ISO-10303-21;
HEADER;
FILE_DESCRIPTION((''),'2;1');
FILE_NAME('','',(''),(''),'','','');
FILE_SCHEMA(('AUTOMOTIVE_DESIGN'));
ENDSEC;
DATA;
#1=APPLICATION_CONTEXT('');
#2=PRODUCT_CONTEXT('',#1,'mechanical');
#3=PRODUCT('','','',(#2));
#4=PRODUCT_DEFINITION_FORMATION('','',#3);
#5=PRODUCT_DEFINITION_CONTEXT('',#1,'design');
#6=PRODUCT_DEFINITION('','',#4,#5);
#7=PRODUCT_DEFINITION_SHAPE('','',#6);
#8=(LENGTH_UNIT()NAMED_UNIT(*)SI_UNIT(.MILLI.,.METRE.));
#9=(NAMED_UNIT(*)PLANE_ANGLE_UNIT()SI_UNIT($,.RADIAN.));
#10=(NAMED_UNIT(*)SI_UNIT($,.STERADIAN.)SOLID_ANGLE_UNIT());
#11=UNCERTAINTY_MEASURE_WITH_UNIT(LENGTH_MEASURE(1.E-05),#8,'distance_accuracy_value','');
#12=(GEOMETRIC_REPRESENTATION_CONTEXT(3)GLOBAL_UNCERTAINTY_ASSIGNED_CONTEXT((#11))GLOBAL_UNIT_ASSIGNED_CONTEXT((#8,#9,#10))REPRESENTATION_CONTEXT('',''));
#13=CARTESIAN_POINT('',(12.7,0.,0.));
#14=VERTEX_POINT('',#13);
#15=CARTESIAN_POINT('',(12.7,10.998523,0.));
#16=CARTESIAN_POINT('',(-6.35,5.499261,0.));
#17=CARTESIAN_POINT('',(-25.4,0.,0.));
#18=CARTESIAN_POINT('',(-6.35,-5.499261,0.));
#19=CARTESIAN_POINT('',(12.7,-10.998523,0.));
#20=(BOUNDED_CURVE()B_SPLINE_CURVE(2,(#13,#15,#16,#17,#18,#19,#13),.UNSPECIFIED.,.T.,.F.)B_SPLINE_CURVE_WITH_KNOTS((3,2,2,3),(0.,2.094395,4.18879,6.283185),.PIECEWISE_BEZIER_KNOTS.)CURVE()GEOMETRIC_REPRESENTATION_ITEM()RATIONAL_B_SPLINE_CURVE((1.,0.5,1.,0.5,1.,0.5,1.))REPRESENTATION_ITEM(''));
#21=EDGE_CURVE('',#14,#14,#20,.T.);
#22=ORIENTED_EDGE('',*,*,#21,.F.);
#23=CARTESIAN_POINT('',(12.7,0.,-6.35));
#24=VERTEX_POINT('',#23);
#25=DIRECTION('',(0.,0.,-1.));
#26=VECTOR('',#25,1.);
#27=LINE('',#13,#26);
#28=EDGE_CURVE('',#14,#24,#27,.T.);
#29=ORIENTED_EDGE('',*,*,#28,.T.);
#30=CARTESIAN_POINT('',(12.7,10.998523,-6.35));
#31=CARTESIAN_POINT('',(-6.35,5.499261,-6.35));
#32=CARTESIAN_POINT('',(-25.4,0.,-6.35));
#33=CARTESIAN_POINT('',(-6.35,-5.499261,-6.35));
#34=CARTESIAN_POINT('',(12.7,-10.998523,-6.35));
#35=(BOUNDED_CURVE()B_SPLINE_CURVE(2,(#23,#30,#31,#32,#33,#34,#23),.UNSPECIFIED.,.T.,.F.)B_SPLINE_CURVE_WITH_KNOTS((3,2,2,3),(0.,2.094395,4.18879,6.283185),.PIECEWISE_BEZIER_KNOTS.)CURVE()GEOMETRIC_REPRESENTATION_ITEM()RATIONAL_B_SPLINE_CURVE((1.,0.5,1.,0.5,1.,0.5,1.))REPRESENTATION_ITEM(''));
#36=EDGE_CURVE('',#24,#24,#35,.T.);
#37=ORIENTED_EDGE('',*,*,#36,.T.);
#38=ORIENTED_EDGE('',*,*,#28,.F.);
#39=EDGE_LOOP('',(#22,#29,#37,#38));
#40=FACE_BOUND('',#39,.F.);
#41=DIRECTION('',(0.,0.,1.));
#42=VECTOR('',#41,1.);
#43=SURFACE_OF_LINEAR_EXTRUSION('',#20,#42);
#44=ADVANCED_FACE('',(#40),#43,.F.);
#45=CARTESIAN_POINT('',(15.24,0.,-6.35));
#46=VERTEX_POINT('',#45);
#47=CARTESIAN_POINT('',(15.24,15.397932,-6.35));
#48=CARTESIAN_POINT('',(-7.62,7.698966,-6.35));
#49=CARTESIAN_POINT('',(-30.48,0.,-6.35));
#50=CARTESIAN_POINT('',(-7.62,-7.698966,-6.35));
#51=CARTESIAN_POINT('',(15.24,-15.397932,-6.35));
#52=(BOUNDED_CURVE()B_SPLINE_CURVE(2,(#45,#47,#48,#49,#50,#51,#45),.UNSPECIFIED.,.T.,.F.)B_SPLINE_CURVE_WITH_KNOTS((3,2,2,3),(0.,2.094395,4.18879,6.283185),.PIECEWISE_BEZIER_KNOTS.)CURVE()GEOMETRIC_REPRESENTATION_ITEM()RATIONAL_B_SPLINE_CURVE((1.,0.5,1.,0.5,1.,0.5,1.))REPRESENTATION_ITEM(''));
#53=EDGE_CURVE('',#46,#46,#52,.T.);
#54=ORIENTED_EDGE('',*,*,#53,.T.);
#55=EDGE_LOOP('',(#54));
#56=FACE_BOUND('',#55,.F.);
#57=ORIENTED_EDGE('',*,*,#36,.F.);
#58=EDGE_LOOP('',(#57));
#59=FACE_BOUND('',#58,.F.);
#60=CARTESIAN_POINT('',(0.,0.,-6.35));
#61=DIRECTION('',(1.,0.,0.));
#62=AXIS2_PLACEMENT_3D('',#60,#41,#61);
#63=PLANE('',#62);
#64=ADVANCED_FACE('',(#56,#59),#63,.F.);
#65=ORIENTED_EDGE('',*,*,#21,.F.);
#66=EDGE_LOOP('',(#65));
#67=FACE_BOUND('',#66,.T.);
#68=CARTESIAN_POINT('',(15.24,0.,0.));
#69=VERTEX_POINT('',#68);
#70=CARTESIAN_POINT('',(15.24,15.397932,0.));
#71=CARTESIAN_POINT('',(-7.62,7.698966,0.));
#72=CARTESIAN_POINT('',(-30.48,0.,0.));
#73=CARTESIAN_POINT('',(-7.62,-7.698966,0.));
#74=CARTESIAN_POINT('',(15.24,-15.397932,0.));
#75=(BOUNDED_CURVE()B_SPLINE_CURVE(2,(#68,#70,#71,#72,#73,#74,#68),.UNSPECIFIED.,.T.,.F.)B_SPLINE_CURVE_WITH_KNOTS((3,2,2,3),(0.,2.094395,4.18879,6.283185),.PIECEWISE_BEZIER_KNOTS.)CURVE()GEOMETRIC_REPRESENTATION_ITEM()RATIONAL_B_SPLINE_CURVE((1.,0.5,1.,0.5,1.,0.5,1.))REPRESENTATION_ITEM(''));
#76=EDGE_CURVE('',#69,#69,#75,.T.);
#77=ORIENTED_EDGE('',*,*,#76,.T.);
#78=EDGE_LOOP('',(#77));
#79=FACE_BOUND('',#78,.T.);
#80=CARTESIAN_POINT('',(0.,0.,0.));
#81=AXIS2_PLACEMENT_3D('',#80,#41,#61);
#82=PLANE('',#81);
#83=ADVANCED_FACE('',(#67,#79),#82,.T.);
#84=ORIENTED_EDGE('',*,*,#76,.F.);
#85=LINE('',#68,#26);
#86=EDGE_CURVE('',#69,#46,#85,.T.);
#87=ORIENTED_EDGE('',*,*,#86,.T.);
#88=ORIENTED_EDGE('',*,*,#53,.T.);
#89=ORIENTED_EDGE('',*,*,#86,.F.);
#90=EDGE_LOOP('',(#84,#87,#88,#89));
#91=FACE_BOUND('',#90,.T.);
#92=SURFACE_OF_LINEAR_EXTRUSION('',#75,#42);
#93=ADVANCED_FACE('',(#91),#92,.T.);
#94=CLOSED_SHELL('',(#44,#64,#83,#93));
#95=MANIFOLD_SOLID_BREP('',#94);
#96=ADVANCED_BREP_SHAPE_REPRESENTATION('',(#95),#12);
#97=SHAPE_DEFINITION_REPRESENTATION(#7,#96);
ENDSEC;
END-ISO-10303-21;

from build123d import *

# Parameters (mm, degrees)
F1_DEPTH = 6.35


with BuildPart() as f1:
    # F0 (on Top) → F1 (new body)
    with BuildSketch(Plane.XY):
        with BuildLine():
            add(Edge.make_bspline(
                [(15.24, 0), (15.24, 15.397932), (-7.62, 7.698966), (-30.48, 0), (-7.62, -7.698966), (15.24, -15.397932), (15.24, 0)],
                knots=[0, 0, 0, 2.094395, 2.094395, 4.18879, 4.18879, 6.283185, 6.283185, 6.283185], degree=2, weights=[1, 0.5, 1, 0.5, 1, 0.5, 1]))
        make_face()
        with BuildLine():
            add(Edge.make_bspline(
                [(12.7, 0), (12.7, 10.998523), (-6.35, 5.499261), (-25.4, 0), (-6.35, -5.499261), (12.7, -10.998523), (12.7, 0)],
                knots=[0, 0, 0, 2.094395, 2.094395, 4.18879, 4.18879, 6.283185, 6.283185, 6.283185], degree=2, weights=[1, 0.5, 1, 0.5, 1, 0.5, 1]))
        make_face(mode=Mode.SUBTRACT)
    extrude(amount=-F1_DEPTH)


solid = f1.part
